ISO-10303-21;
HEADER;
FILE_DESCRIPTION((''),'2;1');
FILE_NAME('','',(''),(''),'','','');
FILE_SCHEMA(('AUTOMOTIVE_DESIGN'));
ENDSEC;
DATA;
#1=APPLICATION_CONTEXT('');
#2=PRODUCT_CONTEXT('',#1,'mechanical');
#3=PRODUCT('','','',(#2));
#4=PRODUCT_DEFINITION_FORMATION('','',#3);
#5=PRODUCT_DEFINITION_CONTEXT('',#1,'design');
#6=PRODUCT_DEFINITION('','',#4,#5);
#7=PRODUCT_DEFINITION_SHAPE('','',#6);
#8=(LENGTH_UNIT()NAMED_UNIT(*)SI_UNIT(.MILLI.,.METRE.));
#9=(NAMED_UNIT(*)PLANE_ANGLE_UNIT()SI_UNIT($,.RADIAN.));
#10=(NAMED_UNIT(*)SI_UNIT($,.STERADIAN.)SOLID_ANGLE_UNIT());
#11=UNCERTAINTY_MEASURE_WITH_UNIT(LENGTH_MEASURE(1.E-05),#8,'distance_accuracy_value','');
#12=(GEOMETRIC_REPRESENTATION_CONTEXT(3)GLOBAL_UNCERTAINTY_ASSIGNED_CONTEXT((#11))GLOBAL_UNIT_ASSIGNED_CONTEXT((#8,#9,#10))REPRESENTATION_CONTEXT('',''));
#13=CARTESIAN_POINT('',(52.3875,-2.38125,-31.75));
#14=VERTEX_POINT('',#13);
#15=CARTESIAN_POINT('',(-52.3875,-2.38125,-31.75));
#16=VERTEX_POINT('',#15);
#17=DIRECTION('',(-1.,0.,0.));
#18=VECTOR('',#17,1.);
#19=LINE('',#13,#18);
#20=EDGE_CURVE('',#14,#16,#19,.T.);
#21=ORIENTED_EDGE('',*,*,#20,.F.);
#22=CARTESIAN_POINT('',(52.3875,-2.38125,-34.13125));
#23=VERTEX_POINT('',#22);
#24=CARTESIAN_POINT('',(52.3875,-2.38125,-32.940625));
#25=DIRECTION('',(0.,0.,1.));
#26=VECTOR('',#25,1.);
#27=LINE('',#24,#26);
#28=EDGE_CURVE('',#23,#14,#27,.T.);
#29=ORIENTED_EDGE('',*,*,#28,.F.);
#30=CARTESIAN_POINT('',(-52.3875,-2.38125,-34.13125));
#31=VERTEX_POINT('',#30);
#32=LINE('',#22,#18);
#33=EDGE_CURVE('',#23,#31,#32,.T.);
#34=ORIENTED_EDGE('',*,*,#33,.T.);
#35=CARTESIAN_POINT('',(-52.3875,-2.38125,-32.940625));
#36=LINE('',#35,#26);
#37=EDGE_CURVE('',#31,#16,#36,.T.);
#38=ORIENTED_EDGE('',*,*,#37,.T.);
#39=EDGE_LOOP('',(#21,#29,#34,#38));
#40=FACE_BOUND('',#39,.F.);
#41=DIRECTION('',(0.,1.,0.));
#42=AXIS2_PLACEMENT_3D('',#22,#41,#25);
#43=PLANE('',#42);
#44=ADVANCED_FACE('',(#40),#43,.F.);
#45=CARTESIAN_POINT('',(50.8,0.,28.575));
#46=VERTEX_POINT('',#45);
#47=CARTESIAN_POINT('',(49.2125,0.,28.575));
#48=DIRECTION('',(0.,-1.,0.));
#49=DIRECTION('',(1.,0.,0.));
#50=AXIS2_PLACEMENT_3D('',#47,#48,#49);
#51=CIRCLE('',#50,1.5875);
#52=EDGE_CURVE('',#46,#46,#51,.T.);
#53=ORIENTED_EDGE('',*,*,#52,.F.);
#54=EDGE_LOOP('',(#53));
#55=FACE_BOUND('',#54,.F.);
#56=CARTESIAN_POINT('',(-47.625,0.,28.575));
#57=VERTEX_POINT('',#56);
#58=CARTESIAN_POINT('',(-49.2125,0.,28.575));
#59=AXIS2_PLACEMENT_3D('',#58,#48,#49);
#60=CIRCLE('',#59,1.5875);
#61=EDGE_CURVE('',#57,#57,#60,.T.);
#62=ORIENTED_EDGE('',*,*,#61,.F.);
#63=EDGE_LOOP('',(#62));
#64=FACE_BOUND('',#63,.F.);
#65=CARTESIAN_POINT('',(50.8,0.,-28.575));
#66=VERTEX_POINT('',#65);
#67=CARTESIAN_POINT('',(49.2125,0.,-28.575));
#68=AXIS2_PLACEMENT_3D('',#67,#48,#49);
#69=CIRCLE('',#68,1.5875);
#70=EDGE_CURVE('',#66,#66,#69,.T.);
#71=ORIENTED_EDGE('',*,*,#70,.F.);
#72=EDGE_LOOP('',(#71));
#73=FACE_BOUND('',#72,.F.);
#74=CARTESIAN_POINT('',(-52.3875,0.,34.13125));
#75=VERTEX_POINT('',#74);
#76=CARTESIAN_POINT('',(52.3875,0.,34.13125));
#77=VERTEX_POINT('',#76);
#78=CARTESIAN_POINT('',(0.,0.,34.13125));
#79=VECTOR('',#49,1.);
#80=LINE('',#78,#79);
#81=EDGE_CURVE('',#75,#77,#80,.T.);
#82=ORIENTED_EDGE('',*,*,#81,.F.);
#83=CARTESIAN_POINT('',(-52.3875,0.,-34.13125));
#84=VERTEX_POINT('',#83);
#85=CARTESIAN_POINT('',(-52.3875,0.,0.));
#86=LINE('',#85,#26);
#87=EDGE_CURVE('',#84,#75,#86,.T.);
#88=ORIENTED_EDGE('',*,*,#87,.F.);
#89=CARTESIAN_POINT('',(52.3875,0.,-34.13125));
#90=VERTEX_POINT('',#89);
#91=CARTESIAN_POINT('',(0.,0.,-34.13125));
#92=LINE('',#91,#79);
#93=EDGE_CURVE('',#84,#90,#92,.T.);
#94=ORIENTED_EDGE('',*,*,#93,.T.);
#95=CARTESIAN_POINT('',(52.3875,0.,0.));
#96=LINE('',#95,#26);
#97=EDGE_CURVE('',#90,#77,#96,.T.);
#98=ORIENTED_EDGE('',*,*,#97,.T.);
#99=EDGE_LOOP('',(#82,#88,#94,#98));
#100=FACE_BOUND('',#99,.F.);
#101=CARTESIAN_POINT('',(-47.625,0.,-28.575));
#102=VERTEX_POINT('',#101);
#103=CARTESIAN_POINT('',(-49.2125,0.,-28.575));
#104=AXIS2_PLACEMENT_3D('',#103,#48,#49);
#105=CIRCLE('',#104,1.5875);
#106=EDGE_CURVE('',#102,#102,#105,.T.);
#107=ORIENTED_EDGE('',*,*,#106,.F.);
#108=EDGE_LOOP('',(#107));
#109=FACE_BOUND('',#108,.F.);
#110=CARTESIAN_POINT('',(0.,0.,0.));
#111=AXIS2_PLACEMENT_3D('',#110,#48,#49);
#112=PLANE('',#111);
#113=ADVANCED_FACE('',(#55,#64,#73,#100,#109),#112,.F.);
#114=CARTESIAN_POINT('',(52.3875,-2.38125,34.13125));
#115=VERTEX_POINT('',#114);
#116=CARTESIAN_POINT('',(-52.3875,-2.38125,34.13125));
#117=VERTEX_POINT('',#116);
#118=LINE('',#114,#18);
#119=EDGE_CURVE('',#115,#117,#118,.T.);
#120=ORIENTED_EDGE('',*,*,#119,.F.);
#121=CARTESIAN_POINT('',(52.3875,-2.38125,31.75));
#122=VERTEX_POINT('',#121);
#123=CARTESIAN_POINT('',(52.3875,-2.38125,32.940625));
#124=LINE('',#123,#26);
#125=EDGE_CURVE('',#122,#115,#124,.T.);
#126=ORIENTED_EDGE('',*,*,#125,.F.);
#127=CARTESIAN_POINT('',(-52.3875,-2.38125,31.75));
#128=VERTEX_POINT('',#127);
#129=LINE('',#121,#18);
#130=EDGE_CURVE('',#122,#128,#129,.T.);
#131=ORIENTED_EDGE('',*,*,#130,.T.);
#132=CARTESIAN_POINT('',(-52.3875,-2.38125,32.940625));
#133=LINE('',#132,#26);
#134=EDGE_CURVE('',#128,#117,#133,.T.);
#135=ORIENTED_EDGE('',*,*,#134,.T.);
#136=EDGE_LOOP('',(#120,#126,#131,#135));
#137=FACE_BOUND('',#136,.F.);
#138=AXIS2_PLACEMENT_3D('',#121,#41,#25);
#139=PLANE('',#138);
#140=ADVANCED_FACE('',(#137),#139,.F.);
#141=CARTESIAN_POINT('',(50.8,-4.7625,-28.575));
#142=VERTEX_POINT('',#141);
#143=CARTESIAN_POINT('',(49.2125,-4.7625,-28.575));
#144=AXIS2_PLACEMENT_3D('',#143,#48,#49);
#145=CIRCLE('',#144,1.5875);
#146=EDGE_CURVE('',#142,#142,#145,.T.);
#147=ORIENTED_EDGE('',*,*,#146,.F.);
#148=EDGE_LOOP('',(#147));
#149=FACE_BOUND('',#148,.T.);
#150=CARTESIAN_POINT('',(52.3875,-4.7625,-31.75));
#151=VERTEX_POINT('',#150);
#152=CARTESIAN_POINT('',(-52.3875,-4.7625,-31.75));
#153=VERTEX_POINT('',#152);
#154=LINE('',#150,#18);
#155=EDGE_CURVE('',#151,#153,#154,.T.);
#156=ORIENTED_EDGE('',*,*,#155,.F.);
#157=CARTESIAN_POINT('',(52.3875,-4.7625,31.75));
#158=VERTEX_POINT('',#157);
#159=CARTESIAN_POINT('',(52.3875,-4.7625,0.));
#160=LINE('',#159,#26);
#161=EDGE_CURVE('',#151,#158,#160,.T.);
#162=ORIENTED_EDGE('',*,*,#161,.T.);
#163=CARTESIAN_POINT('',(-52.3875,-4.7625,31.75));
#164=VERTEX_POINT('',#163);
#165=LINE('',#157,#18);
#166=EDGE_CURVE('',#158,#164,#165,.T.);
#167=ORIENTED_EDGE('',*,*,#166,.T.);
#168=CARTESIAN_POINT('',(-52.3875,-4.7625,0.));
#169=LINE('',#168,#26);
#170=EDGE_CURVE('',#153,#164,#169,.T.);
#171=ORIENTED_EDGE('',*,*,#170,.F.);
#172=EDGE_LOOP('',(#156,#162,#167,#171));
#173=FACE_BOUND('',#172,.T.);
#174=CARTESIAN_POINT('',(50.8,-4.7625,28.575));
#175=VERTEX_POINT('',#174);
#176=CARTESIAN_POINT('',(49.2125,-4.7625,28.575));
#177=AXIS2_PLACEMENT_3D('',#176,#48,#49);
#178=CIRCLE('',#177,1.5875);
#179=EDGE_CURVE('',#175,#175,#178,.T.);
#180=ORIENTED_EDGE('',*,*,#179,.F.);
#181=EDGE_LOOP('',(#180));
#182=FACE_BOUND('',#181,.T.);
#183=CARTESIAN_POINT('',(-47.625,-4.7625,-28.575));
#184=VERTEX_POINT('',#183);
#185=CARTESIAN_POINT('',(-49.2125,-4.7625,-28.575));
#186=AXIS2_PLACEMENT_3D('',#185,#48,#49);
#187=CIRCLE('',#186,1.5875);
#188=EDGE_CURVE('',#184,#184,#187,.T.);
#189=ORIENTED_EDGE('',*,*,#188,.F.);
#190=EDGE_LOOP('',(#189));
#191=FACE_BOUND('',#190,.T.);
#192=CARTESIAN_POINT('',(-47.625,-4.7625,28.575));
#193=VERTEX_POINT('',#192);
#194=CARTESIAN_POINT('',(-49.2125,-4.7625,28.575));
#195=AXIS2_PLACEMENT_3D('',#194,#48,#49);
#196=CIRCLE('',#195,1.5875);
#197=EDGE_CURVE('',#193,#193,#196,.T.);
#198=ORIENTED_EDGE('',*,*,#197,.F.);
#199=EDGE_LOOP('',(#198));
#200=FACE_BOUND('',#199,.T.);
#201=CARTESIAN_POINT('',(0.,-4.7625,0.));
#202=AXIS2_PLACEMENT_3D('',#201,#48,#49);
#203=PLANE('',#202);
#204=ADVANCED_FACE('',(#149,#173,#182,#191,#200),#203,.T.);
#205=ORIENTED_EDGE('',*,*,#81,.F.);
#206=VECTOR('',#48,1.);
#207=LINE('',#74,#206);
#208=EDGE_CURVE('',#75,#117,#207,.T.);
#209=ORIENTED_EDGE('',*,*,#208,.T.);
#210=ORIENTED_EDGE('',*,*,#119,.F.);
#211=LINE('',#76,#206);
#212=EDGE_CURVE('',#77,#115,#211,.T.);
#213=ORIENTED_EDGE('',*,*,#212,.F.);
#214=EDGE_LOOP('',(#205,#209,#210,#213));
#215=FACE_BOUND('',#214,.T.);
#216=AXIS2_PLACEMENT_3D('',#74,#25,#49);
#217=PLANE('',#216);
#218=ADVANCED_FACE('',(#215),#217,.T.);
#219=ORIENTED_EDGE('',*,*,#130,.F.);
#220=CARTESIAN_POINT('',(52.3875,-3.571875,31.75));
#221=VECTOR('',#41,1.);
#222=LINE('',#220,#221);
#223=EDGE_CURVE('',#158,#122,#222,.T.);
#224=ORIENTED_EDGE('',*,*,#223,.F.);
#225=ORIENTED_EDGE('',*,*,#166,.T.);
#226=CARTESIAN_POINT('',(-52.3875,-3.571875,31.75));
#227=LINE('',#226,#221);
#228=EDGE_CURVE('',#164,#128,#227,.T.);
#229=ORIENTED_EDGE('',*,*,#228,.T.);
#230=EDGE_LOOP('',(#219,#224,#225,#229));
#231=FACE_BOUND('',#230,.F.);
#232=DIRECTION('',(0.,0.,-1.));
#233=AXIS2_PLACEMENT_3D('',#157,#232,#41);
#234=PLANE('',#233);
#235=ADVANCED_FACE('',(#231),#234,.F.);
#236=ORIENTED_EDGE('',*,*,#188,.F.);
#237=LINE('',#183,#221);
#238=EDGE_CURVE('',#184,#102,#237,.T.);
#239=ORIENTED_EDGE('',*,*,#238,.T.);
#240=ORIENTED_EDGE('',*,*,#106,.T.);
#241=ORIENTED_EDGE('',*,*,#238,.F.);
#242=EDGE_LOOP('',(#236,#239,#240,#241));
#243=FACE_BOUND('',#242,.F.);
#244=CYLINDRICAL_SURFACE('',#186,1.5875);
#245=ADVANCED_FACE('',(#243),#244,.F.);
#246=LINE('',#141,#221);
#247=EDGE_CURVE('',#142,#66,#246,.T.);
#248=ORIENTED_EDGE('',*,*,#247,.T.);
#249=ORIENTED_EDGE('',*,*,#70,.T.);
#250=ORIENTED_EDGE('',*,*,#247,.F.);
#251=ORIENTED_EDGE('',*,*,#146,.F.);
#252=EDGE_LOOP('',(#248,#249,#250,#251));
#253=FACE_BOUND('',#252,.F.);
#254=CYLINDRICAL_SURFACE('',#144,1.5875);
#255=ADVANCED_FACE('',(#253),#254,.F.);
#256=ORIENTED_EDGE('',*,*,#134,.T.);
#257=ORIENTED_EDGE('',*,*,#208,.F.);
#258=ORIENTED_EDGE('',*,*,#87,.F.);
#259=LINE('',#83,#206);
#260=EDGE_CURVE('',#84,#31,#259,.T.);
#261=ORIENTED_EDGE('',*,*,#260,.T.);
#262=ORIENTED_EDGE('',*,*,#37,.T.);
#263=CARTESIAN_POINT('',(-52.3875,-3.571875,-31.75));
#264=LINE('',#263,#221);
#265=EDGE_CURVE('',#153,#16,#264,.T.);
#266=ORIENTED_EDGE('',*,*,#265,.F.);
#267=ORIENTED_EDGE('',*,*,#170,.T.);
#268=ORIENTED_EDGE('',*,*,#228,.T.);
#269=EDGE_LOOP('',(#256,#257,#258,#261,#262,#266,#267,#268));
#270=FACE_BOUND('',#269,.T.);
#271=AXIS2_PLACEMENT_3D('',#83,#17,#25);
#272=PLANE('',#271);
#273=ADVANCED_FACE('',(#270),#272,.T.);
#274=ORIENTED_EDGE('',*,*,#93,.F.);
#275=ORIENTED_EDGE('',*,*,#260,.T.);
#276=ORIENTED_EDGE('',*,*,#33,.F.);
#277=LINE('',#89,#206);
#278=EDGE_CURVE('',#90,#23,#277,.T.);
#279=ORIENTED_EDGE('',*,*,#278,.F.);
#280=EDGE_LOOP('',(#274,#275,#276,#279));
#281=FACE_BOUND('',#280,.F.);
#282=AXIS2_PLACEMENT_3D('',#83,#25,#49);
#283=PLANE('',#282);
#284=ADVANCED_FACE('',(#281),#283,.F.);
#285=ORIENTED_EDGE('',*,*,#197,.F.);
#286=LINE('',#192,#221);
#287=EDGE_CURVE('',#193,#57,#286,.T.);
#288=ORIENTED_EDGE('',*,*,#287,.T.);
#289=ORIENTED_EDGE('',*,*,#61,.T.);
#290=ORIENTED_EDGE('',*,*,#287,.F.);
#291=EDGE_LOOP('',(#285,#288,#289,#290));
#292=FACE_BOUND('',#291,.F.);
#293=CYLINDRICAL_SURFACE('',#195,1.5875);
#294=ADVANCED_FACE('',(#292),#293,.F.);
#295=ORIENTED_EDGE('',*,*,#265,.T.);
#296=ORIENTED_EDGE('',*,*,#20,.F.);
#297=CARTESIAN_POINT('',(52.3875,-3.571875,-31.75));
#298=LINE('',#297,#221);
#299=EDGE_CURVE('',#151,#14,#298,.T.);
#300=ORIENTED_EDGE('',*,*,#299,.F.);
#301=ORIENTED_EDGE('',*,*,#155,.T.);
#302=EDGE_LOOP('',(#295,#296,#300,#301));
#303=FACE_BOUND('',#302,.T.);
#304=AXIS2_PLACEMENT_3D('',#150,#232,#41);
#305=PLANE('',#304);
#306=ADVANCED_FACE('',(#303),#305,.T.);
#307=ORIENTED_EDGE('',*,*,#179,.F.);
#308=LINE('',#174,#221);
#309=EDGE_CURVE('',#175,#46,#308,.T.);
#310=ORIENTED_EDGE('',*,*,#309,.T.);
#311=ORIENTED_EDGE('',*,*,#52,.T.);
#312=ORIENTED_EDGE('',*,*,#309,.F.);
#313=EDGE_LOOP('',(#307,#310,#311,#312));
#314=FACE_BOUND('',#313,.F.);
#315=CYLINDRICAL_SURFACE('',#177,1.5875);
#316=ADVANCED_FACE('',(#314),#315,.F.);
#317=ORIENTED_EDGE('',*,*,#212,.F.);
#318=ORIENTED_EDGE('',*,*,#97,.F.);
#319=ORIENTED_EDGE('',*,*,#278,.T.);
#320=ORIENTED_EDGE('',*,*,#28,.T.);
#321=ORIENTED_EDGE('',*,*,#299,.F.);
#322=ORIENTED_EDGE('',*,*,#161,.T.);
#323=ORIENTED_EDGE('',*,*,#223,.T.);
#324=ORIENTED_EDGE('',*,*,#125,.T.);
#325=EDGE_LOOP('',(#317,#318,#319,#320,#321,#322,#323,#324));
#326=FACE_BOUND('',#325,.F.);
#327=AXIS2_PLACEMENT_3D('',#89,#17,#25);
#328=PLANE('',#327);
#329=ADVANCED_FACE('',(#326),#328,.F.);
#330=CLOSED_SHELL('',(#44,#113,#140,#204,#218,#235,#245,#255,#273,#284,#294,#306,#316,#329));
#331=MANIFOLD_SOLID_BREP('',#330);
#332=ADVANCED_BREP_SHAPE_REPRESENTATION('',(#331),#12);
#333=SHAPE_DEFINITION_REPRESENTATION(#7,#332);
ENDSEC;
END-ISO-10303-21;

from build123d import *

# Parameters (mm, degrees)
F0_W     = 104.775
F0_H     = 68.2625
F1_DEPTH = 4.7625
F2_W     = 2.38125
F2_H     = 2.38125
F3_DEPTH = 104.775
F4_R     = 1.5875
F5_DEPTH = 4.7625


with BuildPart() as f1:
    # F0 (on Front) → F1 (new body)
    with BuildSketch(Plane.XZ):
        Rectangle(F0_W, F0_H)
    extrude(amount=F1_DEPTH)

    # F2 (on face) → F3 (cut, through all)
    with BuildSketch(Plane.YZ.offset(52.3875)):
        with Locations((-3.571875, 32.940625)):
            Rectangle(F2_W, F2_H)
        with Locations((-3.571875, -32.940625)):
            Rectangle(F2_W, F2_H)
    extrude(amount=-F3_DEPTH, mode=Mode.SUBTRACT)

    # F4 (on face) → F5 (cut, through all)
    with BuildSketch(Plane.XZ.offset(4.7625)):
        with Locations((-49.2125, 28.575)):
            Circle(F4_R)
        with Locations((49.2125, 28.575)):
            Circle(F4_R)
        with Locations((-49.2125, -28.575)):
            Circle(F4_R)
        with Locations((49.2125, -28.575)):
            Circle(F4_R)
    extrude(amount=-F5_DEPTH, mode=Mode.SUBTRACT)


solid = f1.part
